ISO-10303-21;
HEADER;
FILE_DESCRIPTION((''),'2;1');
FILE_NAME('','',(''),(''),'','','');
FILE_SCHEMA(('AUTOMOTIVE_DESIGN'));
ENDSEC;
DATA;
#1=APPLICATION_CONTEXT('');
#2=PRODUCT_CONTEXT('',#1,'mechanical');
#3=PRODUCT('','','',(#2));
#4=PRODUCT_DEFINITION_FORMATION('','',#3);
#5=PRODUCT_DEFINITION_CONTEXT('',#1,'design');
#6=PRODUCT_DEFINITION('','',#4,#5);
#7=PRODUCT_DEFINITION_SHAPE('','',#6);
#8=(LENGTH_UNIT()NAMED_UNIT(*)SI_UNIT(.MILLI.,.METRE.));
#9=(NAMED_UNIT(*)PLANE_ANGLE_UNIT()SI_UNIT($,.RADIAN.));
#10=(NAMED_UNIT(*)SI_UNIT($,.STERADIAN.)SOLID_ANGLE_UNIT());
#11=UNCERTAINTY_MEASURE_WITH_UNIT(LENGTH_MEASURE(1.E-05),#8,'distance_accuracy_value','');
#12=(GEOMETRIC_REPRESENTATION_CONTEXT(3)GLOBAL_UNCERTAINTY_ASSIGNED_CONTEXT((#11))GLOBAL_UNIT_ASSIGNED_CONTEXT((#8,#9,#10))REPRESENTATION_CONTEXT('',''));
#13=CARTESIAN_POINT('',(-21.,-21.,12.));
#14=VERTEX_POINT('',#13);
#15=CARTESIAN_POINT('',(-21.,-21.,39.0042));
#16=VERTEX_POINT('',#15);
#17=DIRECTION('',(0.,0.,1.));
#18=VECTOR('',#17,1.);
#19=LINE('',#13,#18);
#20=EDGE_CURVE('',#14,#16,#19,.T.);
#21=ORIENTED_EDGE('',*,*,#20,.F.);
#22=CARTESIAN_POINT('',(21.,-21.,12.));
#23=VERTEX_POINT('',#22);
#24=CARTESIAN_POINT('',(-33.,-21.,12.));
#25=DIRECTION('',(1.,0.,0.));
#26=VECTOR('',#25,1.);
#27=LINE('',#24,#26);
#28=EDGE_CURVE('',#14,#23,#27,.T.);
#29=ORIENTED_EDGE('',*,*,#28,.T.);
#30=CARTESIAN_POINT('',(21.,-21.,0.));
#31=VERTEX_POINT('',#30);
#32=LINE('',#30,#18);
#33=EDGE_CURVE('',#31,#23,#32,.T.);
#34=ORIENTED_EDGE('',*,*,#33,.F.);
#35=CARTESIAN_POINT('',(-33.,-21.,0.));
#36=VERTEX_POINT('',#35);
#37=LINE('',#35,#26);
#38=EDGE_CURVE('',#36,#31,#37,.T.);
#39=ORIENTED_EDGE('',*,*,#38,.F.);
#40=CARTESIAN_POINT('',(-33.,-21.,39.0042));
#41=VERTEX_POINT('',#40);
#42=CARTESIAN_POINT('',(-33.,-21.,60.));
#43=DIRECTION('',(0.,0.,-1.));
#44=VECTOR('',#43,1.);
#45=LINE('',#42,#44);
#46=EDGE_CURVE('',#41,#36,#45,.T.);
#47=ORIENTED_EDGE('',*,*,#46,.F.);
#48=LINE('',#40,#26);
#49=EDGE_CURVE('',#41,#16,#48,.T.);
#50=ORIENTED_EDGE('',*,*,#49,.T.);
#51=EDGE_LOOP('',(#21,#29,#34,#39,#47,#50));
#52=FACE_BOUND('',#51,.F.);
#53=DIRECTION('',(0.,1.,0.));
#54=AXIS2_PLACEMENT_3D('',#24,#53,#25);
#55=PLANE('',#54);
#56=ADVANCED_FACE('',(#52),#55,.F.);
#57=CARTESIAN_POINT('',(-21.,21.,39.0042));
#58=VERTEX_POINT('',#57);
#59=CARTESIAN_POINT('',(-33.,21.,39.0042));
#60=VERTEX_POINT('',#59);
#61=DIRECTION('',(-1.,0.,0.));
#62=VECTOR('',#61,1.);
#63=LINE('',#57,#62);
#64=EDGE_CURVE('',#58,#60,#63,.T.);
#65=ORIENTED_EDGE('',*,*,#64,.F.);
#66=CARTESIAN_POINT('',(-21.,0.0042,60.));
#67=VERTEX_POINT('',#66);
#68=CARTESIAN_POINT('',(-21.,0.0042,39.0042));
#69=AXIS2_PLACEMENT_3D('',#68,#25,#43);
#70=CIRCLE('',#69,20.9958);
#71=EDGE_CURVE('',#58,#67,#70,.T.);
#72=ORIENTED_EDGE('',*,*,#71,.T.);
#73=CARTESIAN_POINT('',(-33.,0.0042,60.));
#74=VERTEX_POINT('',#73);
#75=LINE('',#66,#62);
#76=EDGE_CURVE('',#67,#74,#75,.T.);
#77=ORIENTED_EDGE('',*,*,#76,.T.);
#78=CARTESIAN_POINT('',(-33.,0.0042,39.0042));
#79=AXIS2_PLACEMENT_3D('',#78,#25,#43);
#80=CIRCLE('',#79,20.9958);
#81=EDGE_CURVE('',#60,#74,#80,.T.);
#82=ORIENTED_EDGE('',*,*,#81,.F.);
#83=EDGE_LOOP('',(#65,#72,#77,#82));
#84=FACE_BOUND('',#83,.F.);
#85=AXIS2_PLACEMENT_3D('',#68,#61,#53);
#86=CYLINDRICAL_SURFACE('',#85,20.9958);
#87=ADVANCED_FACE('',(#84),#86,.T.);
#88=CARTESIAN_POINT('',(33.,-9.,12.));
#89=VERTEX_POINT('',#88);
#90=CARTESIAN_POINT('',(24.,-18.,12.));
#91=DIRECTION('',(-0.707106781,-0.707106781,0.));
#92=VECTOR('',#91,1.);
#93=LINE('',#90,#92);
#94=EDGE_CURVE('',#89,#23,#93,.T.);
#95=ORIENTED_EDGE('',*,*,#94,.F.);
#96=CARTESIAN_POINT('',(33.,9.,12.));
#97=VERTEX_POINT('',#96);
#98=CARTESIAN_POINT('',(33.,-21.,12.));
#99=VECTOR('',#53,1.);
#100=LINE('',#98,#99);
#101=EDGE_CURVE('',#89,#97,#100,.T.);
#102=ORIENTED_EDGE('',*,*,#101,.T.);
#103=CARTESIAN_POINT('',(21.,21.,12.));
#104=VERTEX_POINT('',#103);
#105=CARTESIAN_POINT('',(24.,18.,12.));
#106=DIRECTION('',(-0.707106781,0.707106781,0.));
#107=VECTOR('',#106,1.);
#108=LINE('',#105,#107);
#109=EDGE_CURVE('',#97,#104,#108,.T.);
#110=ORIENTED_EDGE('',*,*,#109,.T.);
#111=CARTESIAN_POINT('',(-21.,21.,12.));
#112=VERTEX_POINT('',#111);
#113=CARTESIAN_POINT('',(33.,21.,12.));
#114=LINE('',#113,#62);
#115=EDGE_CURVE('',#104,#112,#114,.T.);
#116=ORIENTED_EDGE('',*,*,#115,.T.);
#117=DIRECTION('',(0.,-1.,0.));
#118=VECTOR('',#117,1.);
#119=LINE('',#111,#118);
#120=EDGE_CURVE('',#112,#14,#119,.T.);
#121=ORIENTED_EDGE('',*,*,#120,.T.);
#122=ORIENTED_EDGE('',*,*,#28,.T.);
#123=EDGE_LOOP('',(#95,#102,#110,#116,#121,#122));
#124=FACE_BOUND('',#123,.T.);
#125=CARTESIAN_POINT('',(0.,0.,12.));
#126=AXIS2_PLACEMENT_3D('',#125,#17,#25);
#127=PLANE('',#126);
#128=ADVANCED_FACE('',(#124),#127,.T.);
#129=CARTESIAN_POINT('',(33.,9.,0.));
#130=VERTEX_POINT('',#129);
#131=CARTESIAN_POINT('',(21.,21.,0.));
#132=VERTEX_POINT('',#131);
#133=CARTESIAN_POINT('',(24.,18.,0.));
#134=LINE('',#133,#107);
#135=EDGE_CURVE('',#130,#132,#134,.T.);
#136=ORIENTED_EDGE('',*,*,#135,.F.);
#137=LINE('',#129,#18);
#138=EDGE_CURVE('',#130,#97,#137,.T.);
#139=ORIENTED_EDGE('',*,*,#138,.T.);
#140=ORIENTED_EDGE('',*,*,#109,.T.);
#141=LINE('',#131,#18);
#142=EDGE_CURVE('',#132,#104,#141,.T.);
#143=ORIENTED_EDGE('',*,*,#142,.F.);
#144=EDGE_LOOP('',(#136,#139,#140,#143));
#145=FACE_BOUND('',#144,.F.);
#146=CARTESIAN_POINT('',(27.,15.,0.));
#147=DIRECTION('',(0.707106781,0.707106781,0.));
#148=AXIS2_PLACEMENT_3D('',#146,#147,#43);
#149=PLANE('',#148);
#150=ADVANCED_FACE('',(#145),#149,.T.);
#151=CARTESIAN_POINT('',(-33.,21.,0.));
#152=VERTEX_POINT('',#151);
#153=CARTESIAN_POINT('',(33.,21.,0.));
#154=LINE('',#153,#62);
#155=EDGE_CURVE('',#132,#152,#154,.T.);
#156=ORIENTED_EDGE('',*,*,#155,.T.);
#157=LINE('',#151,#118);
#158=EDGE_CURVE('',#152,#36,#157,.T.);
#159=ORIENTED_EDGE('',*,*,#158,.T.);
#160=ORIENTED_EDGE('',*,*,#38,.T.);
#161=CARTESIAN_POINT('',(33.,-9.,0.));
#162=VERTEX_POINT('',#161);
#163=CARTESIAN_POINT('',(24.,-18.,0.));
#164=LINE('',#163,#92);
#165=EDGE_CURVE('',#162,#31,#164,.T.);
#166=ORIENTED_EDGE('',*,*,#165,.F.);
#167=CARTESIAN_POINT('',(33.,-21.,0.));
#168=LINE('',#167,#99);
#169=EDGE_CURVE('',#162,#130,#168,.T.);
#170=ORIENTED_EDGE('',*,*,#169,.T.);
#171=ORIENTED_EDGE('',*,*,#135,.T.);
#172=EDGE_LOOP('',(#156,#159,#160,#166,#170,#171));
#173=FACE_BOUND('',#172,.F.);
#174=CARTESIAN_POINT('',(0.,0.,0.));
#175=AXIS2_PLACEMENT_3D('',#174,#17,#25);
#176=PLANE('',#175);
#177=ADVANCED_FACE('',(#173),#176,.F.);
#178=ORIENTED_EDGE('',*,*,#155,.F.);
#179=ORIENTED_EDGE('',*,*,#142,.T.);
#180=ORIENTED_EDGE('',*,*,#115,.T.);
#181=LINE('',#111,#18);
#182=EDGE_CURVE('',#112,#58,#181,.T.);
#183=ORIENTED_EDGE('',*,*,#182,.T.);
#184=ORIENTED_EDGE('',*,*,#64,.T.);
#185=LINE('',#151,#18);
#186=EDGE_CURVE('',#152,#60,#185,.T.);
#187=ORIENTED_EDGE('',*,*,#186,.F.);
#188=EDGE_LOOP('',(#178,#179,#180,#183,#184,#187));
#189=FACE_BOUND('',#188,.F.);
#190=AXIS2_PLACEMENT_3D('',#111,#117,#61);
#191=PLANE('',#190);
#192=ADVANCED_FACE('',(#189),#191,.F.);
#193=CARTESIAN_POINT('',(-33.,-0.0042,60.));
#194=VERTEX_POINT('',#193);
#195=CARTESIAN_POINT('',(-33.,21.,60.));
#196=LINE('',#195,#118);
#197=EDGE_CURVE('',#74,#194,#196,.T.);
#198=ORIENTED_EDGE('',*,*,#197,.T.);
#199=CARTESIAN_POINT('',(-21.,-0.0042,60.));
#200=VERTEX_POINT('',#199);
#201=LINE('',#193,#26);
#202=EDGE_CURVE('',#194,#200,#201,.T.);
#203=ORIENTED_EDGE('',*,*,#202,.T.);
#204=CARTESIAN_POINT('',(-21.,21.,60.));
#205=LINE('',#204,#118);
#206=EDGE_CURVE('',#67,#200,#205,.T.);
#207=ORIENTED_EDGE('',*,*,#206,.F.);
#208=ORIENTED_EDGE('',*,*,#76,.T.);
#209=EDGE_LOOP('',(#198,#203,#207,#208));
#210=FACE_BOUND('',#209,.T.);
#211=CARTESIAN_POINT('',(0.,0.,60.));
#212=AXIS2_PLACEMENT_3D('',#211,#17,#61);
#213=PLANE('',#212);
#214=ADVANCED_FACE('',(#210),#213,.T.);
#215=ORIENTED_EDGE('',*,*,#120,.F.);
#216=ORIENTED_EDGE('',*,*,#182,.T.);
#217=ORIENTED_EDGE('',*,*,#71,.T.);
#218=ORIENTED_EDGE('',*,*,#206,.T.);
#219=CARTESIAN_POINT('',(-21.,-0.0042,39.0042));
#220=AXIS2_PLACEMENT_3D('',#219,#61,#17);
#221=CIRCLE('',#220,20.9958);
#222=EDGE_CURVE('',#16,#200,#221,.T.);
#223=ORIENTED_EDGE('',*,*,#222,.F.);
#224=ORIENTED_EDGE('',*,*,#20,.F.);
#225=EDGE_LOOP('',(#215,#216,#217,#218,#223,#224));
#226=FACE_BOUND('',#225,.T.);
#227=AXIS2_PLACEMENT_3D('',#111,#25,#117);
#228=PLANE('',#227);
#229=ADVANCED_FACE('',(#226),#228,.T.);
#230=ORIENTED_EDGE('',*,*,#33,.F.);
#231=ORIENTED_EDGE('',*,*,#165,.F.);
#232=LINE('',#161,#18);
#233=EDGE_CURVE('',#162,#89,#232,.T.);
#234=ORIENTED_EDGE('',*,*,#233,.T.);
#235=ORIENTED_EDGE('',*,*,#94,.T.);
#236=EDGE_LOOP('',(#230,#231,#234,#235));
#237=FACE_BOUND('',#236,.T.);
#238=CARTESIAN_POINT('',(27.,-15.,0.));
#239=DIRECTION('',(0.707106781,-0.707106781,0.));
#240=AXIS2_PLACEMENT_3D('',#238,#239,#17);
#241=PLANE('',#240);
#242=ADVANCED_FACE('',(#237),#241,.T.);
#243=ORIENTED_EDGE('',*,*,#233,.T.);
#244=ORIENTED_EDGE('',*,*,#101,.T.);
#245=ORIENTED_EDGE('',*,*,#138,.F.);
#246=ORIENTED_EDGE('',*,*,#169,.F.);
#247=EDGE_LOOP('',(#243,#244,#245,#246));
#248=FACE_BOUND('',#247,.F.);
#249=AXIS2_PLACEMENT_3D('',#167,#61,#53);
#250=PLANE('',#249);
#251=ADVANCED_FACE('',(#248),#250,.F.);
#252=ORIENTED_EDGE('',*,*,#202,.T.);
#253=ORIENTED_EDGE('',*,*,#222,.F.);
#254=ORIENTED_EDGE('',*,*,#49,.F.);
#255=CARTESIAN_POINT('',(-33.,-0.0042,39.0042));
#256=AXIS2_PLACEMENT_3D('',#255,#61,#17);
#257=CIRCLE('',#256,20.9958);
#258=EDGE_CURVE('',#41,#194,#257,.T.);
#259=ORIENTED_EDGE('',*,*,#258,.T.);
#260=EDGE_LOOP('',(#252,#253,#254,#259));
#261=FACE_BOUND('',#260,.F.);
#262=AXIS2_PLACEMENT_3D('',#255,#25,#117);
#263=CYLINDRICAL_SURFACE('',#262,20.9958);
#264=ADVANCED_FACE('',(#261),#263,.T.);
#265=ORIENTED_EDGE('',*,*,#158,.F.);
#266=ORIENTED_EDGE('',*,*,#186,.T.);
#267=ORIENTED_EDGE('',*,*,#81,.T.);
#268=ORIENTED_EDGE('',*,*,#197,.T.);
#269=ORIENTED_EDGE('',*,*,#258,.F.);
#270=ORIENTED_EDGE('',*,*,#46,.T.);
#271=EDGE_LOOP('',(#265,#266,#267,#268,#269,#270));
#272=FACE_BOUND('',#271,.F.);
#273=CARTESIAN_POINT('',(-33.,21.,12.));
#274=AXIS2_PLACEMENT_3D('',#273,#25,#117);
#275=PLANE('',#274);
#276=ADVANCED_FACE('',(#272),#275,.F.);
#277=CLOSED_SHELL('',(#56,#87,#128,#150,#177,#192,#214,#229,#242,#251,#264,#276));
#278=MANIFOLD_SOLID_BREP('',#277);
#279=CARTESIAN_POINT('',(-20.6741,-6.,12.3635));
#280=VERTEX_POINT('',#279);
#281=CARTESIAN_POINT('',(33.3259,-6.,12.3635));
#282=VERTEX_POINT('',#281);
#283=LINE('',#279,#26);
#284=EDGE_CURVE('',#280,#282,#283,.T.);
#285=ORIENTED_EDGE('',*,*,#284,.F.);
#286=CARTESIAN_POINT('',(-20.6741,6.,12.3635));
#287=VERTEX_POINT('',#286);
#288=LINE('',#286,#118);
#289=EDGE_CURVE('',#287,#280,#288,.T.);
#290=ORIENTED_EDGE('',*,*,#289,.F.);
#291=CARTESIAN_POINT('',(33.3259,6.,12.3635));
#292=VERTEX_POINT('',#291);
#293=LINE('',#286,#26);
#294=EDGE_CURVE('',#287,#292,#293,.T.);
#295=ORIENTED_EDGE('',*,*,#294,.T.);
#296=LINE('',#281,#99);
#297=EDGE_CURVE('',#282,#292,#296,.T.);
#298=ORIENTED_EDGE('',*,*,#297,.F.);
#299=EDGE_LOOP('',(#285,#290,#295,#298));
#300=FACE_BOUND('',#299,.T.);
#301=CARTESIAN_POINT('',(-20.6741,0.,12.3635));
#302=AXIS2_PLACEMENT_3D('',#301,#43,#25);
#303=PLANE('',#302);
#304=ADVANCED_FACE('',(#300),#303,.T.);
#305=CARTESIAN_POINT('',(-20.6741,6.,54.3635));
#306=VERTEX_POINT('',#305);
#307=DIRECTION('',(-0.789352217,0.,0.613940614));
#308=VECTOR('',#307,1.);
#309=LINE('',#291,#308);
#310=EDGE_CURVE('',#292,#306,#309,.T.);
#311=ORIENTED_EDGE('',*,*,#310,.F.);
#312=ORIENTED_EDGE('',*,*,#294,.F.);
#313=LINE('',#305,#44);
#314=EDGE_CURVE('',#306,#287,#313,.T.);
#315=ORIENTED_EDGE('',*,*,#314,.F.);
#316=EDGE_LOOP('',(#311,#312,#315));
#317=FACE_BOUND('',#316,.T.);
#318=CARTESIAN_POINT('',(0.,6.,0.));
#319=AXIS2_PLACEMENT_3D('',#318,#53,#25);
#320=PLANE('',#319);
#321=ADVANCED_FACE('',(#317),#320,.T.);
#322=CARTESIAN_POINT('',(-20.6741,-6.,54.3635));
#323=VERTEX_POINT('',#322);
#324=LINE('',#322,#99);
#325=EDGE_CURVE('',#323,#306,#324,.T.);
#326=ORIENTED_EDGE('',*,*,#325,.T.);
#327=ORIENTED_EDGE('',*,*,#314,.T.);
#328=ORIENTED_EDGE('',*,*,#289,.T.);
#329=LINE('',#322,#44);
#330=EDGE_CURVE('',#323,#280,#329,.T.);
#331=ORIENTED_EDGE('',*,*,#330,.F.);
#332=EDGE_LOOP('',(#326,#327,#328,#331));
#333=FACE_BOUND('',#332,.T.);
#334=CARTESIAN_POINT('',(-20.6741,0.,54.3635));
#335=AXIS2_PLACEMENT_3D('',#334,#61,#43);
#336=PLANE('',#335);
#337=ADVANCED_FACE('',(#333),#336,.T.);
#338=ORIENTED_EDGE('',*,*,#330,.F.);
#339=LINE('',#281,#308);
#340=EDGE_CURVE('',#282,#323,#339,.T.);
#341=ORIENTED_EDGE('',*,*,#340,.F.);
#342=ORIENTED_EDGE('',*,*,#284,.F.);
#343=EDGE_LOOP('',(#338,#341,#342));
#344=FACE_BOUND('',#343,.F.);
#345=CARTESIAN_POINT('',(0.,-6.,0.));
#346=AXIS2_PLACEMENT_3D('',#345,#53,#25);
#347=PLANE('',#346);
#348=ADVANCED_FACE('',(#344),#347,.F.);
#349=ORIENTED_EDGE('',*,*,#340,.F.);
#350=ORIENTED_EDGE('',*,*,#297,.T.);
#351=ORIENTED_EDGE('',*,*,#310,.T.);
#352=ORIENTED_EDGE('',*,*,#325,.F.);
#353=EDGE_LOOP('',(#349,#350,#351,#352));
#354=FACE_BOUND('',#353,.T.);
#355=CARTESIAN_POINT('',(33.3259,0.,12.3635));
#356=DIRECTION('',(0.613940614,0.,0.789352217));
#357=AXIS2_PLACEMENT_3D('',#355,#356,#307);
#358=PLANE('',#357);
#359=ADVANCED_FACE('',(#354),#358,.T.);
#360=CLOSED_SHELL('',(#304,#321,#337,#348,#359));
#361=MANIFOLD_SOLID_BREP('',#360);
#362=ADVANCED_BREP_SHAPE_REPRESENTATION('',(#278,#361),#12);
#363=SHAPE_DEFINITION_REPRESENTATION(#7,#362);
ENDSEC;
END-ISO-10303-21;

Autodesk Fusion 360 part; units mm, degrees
sketch "Base" plane through (0, 0, 0) normal (0, 0, 1) x (1, 0, 0)
  line L0 (33, 21) -> (-33, 21)
  line L1 (-33, 21) -> (-33, -21)
  line L2 (-33, -21) -> (33, -21)
  line L3 (33, -21) -> (33, 21)
  line L4 (33, 21) -> (-33, -21) construction
  line L5 (-33, 21) -> (33, -21) construction
  dimension "d1" = 66
  dimension "d2" = 42
extrude "Extrude1" add sketch "Base" along normal blind 12 makes body 1
chamfer "Chamfer1" distance 12 angle 45 2 edges at (33, -21, 6) (33, 21, 6) on bodies 1
sketch "back" plane through (0, 0, 12) normal (0, 0, 1) x (-1, 0, 0)
  line L0 (-33, -9) -> (-21, -21)
  line L1 (-21, -21) -> (33, -21)
  line L2 (33, -21) -> (33, 21)
  line L3 (33, 21) -> (-21, 21)
  line L4 (-21, 21) -> (-33, 9)
  line L5 (-33, 9) -> (-33, -9)
  line L6 (33, -21) -> (21, -21)
  line L7 (21, -21) -> (21, 21)
  line L8 (21, 21) -> (33, 21)
  line L9 (33, 21) -> (33, -21)
  dimension "d7" = 12
extrude "Extrude2" add sketch "back" along normal blind 48 contours L1 L2 L3 L6 L7 L8 L9 bodies 1
fillet "Fillet1" radius 21 2 edges at (-27, -21, 60) (-27, 21, 60) on bodies 1
sketch "triangle" plane through (0, 0, 0) normal (0, 1, 0) x (1, 0, 0)
  line L0 (-20.6741, -54.3635) -> (-20.6741, -12.3635)
  line L1 (-20.6741, -12.3635) -> (33.3259, -12.3635)
  line L2 (33.3259, -12.3635) -> (-20.6741, -54.3635)
  dimension "d12" = 42
  dimension "d13" = 54
extrude "Extrude3" add sketch "triangle" along normal mid plane 12 separate body makes body 2
equation "d8 = 60 mm - 12 mm"
